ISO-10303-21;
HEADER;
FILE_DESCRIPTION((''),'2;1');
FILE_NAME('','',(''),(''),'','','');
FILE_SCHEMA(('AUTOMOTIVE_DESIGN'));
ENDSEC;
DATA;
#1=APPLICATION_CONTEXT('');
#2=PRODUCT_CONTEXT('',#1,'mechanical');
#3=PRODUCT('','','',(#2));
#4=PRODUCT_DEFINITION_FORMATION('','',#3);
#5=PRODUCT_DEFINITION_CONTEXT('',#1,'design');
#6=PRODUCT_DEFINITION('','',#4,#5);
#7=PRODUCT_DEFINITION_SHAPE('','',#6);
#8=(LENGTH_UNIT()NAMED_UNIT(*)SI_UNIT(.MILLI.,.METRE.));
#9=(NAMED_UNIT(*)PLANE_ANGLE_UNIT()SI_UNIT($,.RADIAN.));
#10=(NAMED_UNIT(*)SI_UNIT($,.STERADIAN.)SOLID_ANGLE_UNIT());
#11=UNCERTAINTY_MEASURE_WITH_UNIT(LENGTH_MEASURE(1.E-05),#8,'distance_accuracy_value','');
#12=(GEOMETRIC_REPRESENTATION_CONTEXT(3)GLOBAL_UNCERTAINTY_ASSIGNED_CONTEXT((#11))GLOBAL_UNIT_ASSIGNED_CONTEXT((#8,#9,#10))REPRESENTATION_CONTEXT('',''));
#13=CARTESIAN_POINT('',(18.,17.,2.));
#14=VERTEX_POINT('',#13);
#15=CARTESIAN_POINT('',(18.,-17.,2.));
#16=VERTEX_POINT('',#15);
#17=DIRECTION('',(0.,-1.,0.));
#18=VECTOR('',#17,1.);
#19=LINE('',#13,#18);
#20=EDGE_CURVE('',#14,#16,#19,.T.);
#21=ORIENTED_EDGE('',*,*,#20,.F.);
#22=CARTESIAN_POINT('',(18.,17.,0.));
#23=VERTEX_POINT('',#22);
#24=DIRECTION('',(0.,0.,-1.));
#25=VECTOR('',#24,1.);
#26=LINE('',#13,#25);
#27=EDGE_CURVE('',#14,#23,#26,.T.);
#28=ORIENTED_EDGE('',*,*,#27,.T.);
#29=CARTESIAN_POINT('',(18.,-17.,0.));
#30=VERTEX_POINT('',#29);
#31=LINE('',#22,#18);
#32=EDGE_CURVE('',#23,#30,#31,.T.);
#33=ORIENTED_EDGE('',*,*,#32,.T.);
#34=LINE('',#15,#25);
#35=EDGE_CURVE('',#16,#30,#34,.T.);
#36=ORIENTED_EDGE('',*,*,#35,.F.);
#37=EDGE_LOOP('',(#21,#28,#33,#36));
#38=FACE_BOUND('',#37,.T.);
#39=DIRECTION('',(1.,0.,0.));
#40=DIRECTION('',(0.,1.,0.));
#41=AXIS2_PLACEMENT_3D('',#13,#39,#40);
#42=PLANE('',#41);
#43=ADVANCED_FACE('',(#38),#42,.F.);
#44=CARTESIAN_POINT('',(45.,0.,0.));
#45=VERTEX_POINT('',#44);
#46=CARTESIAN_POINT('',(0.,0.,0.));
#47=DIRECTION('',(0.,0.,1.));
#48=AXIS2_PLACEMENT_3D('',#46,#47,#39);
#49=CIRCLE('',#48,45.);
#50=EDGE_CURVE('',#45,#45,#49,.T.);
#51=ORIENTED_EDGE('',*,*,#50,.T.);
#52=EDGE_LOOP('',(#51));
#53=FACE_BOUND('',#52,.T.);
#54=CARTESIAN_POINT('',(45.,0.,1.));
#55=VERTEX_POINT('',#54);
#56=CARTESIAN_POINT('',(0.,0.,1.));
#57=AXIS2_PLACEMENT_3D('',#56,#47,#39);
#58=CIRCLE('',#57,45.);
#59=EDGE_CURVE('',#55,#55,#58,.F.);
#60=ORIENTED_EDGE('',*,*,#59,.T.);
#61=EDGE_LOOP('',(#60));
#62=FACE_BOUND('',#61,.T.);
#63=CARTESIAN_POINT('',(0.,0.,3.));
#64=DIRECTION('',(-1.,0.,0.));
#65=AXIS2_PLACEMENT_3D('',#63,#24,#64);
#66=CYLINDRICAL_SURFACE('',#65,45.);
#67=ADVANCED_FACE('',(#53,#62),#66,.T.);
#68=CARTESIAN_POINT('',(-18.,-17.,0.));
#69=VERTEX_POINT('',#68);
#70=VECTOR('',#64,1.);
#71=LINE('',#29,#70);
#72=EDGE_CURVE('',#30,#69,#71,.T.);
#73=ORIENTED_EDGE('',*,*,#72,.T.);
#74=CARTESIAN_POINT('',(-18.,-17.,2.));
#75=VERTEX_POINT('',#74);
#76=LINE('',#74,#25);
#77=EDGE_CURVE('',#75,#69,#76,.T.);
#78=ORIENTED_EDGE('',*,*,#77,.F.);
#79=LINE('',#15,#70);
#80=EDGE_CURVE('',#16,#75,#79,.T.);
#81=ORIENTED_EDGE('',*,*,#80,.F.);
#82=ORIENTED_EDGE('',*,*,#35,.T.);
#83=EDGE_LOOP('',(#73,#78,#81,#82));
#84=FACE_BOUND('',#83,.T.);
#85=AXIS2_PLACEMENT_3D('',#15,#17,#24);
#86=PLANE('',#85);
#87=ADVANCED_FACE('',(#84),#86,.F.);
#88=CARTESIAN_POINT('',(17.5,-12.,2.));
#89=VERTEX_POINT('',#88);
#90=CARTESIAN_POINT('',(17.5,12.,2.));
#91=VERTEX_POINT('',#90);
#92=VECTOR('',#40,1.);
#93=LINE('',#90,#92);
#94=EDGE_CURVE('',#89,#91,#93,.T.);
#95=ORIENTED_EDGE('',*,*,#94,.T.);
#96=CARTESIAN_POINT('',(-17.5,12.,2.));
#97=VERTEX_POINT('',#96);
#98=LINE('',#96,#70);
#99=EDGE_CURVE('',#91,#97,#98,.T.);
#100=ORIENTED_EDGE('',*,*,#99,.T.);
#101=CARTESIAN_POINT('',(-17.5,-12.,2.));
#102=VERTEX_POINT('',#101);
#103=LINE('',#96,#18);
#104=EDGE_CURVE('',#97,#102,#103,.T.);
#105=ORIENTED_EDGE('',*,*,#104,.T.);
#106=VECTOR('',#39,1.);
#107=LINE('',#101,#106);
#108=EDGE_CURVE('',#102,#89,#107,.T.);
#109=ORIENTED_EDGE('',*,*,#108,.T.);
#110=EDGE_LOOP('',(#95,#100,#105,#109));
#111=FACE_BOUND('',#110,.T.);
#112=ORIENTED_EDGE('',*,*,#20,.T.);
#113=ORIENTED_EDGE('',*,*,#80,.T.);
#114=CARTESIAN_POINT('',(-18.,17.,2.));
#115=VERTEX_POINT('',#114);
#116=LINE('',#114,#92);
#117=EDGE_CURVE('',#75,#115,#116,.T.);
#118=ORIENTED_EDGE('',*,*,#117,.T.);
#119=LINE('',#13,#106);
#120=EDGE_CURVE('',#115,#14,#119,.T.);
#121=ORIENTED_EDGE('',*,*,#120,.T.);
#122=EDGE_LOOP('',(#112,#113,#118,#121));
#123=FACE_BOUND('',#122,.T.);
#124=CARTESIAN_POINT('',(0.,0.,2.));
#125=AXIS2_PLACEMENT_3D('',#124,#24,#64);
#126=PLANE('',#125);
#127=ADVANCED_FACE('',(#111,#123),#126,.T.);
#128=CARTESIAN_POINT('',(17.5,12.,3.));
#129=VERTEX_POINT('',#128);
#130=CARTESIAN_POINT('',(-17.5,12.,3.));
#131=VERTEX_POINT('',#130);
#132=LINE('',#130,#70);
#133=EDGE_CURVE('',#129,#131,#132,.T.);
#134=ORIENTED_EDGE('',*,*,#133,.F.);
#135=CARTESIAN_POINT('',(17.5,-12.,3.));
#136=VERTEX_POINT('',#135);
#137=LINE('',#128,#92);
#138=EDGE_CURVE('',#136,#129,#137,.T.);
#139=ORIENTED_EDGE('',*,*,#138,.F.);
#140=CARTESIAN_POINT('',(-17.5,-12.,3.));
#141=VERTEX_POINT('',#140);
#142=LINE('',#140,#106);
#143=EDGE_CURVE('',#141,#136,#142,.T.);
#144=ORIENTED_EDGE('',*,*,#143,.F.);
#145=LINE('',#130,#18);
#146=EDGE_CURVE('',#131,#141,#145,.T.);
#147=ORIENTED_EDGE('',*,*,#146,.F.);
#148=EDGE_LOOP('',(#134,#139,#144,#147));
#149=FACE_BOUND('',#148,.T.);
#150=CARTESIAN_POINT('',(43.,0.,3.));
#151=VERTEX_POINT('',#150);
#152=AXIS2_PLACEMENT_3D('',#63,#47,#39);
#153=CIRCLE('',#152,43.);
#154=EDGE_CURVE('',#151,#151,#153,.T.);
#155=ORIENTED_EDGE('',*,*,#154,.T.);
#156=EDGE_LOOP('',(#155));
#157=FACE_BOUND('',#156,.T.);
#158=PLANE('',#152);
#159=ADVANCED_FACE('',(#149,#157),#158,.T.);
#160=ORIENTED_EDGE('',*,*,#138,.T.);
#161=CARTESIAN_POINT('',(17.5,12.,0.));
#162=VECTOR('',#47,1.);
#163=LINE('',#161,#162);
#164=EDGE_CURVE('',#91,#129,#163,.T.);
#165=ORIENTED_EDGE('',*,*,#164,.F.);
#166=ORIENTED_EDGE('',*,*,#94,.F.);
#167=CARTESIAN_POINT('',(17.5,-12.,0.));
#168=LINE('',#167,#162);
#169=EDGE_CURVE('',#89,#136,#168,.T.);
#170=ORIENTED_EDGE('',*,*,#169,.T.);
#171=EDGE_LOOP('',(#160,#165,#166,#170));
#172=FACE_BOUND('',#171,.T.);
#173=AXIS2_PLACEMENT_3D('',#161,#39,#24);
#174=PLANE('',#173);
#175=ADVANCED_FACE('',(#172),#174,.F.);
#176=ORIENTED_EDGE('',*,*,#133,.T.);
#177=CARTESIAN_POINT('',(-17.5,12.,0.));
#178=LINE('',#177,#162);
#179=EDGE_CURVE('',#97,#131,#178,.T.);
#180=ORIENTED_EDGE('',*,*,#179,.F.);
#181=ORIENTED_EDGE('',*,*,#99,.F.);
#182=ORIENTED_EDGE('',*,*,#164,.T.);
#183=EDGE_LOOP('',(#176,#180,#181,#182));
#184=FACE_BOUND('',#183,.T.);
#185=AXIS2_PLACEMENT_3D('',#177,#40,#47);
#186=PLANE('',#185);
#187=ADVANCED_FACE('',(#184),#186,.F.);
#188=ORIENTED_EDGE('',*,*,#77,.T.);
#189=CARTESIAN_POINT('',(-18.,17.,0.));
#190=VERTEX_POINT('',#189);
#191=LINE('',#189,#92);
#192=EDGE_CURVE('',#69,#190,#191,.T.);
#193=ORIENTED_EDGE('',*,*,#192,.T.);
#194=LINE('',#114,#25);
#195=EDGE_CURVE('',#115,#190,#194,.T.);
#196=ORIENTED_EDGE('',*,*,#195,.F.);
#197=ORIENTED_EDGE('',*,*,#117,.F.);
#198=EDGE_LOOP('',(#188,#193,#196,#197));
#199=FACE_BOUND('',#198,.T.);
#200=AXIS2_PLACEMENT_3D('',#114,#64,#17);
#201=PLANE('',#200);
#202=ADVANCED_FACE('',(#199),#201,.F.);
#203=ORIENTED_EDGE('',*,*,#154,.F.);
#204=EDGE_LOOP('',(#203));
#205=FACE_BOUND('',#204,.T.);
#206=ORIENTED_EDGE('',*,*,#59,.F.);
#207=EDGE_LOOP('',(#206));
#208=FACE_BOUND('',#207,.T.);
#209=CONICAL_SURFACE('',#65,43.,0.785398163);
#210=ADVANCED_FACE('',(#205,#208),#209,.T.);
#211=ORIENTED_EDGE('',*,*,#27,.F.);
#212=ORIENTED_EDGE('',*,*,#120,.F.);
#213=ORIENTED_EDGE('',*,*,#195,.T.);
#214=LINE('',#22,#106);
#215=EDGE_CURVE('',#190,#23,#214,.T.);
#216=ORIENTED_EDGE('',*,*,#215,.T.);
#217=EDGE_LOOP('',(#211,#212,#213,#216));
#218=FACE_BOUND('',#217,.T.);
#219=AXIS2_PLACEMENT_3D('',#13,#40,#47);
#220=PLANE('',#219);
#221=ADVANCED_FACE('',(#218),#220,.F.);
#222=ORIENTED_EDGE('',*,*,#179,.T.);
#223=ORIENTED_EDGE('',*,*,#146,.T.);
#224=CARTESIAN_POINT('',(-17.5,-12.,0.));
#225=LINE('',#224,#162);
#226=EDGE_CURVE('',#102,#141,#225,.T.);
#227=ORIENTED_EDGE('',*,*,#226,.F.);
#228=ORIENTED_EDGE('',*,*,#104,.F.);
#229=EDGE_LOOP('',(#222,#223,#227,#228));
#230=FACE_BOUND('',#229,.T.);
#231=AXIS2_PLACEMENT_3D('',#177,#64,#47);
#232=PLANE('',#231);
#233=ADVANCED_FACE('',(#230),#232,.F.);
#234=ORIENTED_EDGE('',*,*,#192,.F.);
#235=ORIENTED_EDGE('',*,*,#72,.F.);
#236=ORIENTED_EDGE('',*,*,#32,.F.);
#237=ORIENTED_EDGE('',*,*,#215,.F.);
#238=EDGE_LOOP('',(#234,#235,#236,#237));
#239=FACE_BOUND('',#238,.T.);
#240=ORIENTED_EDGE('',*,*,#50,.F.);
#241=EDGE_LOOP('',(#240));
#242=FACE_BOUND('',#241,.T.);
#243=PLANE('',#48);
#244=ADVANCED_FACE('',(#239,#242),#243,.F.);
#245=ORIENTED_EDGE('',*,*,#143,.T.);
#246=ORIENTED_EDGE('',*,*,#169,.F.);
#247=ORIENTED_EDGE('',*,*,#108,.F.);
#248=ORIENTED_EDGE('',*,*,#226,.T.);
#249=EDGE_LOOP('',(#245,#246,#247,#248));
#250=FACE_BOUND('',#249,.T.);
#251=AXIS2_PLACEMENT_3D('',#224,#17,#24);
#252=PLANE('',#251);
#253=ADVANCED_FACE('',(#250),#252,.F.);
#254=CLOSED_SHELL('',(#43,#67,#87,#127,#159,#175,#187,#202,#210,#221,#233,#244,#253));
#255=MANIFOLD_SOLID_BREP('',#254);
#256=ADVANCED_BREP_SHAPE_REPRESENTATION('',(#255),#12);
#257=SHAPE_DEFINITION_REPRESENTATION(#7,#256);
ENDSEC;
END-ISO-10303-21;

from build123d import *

# Parameters (mm, degrees)
SKETCH1_R           = 45
BOSS_EXTRUDE1_DEPTH = 3
SKETCH2_W           = 35
SKETCH2_H           = 24
CUT_EXTRUDE1_DEPTH  = 3
CHAMFER1_SIZE       = 2
SKETCH3_W           = 36
SKETCH3_H           = 34
CUT_EXTRUDE2_DEPTH  = 2


with BuildPart() as part:
    # Sketch1 → Boss-Extrude1 (new body)
    with BuildSketch(Plane.XY):
        Circle(SKETCH1_R)
    extrude(amount=BOSS_EXTRUDE1_DEPTH)

    # Sketch2 → Cut-Extrude1 (cut)
    with BuildSketch(Plane.XY.offset(3)):
        Rectangle(SKETCH2_W, SKETCH2_H)
    extrude(amount=-CUT_EXTRUDE1_DEPTH, mode=Mode.SUBTRACT)

    # Chamfer1
    chamfer1_edges = [part.edges().sort_by_distance(p)[0] for p in [
        (-45, 0, 3),
    ]]
    chamfer(chamfer1_edges, length=CHAMFER1_SIZE)

    # Sketch3 → Cut-Extrude2 (cut)
    with BuildSketch(Plane(origin=(0, 0, 0), x_dir=(-1, 0, 0), z_dir=(0, 0, -1))):
        Rectangle(SKETCH3_W, SKETCH3_H)
    extrude(amount=-CUT_EXTRUDE2_DEPTH, mode=Mode.SUBTRACT)


solid = part.part
